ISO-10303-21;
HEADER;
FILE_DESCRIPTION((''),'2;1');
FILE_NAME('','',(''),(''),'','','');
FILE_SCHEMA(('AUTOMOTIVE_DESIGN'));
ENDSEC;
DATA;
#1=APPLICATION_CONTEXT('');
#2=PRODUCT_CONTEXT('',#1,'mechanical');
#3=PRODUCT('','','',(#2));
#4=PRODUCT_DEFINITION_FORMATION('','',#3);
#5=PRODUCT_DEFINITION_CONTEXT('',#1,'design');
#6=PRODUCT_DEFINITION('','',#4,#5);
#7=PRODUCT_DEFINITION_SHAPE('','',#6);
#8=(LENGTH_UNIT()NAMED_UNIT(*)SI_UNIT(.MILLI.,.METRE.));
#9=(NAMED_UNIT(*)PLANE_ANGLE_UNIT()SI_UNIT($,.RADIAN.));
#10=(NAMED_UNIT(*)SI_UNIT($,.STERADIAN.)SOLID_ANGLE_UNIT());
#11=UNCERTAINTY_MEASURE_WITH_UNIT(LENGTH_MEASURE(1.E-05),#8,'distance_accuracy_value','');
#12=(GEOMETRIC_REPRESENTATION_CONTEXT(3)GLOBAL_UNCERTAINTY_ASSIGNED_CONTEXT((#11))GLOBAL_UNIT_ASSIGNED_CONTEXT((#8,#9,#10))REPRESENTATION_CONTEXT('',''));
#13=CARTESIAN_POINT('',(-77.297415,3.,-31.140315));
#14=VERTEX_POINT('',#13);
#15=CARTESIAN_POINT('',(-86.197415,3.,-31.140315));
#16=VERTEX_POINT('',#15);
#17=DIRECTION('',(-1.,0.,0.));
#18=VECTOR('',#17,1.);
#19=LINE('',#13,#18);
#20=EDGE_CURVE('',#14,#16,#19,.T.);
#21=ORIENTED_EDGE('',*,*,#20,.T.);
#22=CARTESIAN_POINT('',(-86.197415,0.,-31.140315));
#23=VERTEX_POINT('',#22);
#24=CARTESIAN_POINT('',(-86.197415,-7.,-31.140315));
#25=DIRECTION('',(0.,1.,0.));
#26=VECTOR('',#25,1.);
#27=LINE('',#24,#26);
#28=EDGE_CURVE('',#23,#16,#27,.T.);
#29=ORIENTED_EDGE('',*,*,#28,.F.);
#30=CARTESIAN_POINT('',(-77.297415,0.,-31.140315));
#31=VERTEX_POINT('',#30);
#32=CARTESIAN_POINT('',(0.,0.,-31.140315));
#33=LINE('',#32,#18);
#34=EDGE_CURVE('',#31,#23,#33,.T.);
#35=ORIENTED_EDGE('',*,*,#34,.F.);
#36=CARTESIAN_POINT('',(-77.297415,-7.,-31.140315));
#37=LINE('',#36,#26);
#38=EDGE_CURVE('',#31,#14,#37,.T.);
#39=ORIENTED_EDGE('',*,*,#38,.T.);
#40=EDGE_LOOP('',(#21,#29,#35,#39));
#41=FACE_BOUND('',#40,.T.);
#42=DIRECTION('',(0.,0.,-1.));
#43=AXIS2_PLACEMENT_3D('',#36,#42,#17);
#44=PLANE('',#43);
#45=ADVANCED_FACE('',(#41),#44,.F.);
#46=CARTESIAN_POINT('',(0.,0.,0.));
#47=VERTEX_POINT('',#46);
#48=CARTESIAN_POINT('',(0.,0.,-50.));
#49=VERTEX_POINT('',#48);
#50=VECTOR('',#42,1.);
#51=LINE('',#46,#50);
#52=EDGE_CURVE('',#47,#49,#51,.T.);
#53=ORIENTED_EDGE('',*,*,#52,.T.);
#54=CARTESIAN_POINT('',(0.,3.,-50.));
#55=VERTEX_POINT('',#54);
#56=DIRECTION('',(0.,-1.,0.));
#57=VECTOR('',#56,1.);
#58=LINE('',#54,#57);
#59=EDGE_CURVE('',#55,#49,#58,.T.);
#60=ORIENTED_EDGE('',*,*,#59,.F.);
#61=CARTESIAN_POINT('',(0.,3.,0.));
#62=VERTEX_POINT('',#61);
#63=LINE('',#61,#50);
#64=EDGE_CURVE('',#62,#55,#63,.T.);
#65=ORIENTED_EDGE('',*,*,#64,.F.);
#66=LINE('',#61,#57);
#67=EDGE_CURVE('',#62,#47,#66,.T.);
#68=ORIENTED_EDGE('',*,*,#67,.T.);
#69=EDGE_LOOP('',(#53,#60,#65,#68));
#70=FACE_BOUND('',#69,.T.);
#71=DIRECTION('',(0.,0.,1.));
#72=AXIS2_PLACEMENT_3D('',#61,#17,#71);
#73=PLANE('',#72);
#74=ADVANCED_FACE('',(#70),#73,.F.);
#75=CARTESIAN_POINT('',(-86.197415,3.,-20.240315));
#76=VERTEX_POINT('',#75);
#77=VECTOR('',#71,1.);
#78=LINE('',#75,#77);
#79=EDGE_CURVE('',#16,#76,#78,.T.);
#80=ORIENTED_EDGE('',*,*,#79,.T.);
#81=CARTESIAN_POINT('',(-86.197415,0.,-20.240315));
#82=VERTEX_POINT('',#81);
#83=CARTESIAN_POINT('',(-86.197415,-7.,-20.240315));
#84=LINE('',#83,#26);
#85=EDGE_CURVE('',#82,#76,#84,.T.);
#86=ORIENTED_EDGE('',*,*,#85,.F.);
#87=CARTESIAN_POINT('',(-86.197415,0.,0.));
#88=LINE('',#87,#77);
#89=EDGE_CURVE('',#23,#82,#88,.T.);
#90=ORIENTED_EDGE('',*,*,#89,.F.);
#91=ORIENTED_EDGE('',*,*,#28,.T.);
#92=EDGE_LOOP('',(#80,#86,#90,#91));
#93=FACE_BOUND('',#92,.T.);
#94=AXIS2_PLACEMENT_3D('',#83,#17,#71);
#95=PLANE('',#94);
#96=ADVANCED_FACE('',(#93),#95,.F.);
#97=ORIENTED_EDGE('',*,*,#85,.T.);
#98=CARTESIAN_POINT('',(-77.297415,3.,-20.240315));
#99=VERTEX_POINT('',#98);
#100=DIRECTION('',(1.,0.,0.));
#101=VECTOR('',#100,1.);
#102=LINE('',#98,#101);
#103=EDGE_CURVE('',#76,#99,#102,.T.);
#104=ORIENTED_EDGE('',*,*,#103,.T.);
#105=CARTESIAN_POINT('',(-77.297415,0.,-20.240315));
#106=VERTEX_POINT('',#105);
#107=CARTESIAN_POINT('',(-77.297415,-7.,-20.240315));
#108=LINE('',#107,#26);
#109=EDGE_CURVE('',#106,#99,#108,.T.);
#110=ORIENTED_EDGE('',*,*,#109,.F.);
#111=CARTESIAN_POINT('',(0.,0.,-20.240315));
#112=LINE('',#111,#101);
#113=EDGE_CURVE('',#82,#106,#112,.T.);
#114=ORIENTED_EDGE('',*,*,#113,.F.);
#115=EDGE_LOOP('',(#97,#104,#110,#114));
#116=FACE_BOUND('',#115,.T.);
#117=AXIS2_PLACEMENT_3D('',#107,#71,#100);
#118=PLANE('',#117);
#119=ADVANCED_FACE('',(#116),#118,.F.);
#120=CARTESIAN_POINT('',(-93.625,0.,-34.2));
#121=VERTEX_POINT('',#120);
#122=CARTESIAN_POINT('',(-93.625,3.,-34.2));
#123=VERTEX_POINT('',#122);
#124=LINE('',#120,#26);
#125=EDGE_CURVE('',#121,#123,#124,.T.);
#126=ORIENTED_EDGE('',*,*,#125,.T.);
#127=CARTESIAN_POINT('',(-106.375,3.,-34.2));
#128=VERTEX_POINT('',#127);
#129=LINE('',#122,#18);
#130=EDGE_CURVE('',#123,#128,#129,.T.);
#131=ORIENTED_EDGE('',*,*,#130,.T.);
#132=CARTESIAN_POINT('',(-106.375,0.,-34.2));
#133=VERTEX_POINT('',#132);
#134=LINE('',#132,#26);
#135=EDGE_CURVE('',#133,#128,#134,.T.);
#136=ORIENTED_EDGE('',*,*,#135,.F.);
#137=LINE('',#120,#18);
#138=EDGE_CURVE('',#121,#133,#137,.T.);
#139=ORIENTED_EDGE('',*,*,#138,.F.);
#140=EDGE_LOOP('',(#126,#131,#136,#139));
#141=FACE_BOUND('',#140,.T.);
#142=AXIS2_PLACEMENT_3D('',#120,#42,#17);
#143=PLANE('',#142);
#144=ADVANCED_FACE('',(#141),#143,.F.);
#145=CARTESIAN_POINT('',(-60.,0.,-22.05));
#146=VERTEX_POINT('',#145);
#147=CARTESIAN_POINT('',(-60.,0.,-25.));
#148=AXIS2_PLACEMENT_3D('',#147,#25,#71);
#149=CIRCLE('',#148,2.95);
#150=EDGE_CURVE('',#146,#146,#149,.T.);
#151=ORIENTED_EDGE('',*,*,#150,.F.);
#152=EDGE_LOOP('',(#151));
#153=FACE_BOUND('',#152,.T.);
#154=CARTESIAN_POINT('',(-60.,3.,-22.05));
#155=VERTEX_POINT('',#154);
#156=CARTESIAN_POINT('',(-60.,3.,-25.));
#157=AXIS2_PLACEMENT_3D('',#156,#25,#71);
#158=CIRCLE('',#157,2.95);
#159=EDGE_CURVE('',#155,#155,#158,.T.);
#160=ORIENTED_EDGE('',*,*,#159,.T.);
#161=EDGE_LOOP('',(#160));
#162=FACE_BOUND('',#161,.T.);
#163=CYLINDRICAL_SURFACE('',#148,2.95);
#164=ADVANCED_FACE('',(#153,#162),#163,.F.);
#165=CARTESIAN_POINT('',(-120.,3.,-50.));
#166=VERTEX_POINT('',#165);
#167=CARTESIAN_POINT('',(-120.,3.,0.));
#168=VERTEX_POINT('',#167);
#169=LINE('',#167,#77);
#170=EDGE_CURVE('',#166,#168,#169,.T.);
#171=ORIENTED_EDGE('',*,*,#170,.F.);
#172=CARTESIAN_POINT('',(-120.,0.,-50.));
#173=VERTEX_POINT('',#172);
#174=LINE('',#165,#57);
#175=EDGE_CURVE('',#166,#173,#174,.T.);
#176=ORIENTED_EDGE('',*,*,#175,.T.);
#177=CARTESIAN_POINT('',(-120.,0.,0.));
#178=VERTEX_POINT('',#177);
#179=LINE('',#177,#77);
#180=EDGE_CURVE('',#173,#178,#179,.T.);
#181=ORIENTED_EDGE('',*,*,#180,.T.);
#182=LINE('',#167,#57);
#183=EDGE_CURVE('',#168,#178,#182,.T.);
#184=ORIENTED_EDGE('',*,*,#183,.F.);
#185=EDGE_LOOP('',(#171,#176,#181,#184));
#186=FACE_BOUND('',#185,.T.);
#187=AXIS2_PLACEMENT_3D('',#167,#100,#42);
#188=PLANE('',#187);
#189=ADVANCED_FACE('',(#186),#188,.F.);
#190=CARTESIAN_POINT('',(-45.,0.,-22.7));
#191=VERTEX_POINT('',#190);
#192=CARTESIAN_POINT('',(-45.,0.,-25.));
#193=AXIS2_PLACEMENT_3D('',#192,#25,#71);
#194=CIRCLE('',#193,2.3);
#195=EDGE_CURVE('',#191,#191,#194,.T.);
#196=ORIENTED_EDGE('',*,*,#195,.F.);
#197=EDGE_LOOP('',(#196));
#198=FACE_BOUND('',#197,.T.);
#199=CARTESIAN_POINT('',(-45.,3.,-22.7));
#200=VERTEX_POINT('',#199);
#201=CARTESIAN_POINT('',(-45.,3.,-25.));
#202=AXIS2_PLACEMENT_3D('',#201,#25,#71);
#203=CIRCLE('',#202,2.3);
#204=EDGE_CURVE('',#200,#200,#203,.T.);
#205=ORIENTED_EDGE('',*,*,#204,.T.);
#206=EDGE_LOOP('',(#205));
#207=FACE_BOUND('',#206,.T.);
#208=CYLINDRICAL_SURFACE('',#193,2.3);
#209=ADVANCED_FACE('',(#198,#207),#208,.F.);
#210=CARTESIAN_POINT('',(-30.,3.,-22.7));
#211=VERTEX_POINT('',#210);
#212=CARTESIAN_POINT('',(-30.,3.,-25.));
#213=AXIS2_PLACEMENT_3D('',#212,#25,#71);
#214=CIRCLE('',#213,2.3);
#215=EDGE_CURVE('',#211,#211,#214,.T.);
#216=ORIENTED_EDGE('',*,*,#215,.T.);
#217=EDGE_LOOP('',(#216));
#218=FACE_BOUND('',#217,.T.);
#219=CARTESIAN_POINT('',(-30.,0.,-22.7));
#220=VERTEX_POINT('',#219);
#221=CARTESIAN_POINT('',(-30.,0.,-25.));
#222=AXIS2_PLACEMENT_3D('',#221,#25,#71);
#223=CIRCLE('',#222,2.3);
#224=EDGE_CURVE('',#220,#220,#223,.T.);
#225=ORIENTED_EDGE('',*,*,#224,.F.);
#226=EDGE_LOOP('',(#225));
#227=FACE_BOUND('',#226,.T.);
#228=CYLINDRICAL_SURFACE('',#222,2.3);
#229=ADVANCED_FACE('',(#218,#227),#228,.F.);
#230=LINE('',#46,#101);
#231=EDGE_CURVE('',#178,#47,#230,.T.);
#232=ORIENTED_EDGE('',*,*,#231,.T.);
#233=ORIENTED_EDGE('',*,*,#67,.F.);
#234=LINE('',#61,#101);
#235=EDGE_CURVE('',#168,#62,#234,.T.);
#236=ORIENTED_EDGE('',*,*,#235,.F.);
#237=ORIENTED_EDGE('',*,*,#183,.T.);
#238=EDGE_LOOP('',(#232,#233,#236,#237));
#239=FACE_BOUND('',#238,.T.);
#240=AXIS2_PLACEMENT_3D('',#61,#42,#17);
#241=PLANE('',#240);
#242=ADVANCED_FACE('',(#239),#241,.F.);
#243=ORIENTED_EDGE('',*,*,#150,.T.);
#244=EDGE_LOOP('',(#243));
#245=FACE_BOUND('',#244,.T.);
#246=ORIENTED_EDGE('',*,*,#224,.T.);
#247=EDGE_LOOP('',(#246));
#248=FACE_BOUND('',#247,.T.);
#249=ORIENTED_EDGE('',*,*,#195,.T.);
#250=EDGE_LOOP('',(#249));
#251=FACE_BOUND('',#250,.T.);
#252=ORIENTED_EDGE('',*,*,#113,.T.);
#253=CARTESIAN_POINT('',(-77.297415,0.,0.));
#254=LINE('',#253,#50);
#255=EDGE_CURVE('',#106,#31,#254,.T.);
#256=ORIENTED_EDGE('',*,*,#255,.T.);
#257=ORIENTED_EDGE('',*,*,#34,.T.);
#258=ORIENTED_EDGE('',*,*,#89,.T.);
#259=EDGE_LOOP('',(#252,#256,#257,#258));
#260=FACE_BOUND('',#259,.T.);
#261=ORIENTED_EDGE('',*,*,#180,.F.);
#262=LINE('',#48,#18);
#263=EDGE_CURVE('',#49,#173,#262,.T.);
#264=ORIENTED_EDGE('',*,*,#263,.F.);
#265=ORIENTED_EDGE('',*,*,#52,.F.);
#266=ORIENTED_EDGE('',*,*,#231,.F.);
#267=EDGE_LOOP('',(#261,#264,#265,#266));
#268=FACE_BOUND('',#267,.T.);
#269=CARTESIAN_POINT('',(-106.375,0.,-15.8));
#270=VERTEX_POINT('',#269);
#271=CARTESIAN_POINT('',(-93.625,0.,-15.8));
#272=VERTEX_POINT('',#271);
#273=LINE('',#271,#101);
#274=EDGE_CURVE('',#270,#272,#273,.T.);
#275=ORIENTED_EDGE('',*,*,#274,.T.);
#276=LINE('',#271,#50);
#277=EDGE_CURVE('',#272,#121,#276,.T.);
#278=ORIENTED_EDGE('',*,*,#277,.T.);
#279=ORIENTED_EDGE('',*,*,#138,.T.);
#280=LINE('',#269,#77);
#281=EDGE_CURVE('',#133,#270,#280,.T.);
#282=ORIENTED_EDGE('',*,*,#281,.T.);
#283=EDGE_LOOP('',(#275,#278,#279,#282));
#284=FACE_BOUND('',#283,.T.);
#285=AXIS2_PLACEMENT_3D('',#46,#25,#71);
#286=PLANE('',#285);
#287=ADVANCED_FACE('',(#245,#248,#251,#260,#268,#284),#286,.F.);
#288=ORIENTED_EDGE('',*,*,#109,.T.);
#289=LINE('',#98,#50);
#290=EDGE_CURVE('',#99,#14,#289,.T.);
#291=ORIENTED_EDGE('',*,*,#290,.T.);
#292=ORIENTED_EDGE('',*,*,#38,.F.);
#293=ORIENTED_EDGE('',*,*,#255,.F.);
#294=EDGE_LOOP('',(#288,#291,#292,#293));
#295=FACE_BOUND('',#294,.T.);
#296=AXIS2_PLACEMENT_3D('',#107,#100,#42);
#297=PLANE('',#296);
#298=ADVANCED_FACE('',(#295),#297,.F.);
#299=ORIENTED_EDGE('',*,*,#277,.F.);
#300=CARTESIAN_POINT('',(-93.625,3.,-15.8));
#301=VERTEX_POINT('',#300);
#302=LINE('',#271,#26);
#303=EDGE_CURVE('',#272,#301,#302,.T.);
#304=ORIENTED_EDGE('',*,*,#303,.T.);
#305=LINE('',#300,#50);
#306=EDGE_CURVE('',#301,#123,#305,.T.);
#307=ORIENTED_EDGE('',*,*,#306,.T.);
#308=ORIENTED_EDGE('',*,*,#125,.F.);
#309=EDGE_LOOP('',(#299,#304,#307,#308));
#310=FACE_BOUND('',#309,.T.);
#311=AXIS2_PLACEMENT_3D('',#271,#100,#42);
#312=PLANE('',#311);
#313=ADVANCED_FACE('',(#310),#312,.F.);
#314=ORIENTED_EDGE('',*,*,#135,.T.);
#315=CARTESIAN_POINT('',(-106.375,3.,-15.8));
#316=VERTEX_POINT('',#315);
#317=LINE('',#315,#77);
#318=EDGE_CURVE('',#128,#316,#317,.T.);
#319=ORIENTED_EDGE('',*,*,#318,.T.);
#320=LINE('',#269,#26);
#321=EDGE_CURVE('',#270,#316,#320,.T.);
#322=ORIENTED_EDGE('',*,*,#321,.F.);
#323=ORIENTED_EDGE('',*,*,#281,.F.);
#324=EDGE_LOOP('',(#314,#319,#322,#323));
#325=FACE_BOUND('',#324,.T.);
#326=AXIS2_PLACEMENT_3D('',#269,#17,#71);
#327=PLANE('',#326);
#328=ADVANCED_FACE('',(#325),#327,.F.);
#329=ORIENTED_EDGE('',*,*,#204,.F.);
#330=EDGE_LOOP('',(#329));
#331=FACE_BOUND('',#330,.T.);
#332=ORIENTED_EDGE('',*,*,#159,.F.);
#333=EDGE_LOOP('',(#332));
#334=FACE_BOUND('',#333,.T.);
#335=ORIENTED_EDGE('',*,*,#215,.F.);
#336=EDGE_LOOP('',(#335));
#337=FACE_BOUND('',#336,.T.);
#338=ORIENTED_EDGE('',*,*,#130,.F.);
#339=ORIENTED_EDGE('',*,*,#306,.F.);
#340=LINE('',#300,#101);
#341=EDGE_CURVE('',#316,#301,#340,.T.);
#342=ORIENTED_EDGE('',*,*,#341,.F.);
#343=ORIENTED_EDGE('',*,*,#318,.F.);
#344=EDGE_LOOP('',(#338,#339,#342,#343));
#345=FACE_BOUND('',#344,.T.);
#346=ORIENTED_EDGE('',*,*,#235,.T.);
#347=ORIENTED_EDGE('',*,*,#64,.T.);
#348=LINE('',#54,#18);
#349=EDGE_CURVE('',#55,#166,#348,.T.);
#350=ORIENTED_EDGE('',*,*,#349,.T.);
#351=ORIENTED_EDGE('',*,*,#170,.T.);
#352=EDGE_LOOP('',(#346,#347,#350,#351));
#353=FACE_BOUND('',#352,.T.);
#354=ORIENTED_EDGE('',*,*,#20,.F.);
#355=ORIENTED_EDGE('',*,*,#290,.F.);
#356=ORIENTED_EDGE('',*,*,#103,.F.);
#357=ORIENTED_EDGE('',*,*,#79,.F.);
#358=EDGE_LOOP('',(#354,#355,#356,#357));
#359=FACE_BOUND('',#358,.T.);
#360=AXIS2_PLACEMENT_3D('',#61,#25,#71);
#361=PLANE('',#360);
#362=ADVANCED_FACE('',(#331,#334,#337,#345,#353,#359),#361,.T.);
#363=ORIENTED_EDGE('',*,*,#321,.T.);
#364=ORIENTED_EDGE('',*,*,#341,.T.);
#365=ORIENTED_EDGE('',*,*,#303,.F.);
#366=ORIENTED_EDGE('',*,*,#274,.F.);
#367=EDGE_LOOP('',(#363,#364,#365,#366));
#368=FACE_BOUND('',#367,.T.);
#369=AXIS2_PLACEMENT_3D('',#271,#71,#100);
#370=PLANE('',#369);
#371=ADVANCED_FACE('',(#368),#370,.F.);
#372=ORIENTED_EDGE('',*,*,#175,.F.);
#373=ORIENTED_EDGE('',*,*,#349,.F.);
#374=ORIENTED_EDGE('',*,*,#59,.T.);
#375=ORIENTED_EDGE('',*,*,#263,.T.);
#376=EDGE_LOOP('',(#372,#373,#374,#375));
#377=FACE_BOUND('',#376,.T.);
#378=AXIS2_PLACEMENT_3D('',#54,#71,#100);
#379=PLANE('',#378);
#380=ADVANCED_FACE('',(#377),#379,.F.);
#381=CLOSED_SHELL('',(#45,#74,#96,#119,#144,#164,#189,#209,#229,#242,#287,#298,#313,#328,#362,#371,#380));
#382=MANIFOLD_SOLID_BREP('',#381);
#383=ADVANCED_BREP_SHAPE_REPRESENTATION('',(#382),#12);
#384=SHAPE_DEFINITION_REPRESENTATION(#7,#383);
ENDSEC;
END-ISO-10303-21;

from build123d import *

# Parameters (mm, degrees)
SKETCH1_W           = 120
SKETCH1_H           = 50
BOSS_EXTRUDE1_DEPTH = 3
SKETCH2_R           = 2.95
SKETCH2_R_2         = 2.3
SKETCH2_W           = 12.75
SKETCH2_H           = 18.4
CUT_EXTRUDE1_DEPTH  = 3
SKETCH3_W           = 8.9
SKETCH3_H           = 10.9
CUT_EXTRUDE2_DEPTH  = 10


with BuildPart() as part:
    # Sketch1 → Boss-Extrude1 (new body)
    with BuildSketch(Plane(origin=(0, 0, 0), x_dir=(1, 0, 0), z_dir=(0, 1, 0))):
        with Locations((-60, 25)):
            Rectangle(SKETCH1_W, SKETCH1_H)
    extrude(amount=BOSS_EXTRUDE1_DEPTH)

    # Sketch2 → Cut-Extrude1 (cut)
    with BuildSketch(Plane(origin=(0, 3, 0), x_dir=(1, 0, 0), z_dir=(0, 1, 0))):
        with Locations(Location((-60, 25, 0), (0, 0, 270))):  # turned: the seam where the file's is
            Circle(SKETCH2_R)
        with Locations(Location((-45, 25, 0), (0, 0, 270))):  # turned: the seam where the file's is
            Circle(SKETCH2_R_2)
        with Locations(Location((-30, 25, 0), (0, 0, 270))):  # turned: the seam where the file's is
            Circle(SKETCH2_R_2)
        with Locations((-100, 25)):
            Rectangle(SKETCH2_W, SKETCH2_H)
    extrude(amount=-CUT_EXTRUDE1_DEPTH, mode=Mode.SUBTRACT)

    # Sketch3 → Cut-Extrude2 (cut)
    with BuildSketch(Plane(origin=(0, 3, 0), x_dir=(1, 0, 0), z_dir=(0, 1, 0))):
        with Locations((-81.74741462, 25.690314881)):
            Rectangle(SKETCH3_W, SKETCH3_H)
    extrude(amount=-CUT_EXTRUDE2_DEPTH, mode=Mode.SUBTRACT)


solid = part.part
